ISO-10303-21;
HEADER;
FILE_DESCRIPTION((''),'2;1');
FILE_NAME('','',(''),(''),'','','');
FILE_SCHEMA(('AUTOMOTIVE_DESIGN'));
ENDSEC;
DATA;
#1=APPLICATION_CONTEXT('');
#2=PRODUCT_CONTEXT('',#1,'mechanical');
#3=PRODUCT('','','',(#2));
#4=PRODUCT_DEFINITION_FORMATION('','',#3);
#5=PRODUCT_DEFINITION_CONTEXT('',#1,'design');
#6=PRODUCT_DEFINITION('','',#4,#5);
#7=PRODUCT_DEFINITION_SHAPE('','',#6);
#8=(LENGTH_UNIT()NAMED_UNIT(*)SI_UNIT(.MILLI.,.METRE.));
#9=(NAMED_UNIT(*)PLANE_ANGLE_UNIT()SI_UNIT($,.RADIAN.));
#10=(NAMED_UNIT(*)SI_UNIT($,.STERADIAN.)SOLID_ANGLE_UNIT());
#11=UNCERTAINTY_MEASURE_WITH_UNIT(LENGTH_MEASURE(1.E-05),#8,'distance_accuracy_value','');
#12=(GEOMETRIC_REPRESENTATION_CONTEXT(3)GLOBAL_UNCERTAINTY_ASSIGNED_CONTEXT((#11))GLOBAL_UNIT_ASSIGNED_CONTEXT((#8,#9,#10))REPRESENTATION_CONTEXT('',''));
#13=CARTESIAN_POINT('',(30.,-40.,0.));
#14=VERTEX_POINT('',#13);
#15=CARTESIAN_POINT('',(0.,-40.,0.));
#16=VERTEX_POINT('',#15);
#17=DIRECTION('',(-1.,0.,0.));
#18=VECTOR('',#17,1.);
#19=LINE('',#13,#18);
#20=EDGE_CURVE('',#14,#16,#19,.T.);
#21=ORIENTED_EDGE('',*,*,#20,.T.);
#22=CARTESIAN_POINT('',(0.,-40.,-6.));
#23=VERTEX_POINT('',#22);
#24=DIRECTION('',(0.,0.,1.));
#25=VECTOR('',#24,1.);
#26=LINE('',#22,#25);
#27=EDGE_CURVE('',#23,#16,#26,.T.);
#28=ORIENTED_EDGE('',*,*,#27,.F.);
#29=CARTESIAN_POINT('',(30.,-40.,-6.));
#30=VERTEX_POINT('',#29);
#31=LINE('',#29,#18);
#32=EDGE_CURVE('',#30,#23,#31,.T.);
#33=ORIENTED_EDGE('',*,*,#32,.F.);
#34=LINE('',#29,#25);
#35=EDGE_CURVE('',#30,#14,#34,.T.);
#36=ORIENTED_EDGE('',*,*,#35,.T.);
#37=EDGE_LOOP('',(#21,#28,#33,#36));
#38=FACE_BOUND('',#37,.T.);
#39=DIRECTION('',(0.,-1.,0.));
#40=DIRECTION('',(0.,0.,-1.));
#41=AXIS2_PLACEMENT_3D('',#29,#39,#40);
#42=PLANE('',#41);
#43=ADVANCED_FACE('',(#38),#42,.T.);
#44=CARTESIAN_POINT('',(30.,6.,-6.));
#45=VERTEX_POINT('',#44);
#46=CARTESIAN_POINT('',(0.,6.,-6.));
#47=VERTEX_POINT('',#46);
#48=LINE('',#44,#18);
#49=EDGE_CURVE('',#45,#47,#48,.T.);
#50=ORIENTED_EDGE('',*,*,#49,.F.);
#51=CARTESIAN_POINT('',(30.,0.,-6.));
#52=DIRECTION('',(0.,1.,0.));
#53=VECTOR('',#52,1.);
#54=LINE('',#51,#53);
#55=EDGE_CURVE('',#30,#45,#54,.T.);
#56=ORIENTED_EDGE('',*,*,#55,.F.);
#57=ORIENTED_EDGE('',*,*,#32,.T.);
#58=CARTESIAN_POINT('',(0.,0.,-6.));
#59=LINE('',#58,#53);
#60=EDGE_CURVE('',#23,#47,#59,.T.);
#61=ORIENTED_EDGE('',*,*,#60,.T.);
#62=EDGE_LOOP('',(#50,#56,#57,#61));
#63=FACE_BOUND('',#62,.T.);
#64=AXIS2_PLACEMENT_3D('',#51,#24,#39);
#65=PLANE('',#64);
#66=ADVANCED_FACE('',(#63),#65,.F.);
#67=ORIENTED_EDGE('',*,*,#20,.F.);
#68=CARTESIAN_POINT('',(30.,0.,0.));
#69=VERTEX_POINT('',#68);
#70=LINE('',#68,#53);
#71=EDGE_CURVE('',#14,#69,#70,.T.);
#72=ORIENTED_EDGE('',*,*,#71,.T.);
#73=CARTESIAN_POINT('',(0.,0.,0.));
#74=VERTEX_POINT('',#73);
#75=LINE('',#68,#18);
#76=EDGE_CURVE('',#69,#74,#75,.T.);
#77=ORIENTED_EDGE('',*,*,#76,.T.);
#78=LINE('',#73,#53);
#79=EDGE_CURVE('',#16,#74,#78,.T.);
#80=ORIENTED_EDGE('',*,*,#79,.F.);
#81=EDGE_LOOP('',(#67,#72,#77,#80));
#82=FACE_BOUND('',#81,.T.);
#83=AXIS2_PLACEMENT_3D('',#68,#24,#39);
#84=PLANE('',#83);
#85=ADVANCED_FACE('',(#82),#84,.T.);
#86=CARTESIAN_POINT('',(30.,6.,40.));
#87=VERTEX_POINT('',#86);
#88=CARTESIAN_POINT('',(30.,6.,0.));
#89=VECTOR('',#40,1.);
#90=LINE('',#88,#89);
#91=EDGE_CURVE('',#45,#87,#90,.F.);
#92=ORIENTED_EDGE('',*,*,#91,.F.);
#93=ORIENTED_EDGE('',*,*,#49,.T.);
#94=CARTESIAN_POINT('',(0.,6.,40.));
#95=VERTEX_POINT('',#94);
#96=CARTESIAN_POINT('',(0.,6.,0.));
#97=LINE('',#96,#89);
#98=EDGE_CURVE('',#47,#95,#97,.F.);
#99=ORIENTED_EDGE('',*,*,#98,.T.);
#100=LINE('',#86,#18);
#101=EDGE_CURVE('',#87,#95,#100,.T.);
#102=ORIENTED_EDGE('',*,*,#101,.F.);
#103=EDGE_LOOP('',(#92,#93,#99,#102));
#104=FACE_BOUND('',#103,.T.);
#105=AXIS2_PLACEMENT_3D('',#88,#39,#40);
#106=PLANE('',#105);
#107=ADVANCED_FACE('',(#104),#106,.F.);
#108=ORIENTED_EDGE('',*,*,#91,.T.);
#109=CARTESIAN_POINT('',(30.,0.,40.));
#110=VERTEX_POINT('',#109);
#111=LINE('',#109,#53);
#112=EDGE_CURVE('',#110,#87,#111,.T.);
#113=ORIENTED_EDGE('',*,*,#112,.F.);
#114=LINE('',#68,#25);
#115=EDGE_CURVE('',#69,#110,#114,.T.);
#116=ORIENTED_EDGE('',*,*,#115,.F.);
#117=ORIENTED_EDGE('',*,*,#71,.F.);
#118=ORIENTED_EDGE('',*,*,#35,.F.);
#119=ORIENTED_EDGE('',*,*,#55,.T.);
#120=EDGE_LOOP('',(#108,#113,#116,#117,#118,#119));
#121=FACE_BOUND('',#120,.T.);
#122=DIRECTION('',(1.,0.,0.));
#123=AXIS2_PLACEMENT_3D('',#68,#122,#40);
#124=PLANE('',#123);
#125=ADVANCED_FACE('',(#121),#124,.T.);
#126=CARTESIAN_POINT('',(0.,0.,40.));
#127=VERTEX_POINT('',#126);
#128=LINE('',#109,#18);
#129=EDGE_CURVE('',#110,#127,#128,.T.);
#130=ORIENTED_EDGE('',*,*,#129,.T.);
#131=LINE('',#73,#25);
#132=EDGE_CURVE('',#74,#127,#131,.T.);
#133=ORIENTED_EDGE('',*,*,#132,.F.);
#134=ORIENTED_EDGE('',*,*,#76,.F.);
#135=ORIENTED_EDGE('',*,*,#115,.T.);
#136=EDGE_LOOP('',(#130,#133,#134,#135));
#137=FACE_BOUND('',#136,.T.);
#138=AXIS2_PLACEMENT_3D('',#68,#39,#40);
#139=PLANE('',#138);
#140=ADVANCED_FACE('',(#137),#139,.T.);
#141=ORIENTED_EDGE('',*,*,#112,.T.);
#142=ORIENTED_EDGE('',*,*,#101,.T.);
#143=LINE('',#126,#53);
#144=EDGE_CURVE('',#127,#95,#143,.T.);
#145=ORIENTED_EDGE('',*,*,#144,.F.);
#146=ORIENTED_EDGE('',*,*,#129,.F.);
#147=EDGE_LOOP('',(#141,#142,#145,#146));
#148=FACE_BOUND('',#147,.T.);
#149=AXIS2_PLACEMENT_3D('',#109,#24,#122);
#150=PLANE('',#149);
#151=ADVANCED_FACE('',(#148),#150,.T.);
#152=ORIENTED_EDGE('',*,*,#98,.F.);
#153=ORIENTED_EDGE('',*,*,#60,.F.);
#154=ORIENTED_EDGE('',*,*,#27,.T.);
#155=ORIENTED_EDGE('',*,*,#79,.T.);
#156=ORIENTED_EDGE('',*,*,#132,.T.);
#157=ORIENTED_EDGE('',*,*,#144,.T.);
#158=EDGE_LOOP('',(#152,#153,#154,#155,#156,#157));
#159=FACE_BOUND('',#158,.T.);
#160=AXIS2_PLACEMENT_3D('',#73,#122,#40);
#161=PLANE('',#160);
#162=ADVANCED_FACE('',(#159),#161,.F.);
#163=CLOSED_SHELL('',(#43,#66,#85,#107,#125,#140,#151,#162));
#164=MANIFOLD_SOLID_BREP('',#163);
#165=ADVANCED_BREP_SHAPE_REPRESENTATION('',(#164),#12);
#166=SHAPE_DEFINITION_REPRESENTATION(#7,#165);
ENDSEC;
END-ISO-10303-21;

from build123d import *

# Parameters (mm, degrees)
EXTRUDE_THIN1_DEPTH = 30


with BuildPart() as part:
    # Sketch1 → Extrude-Thin1 (new body)
    with BuildSketch(Plane(origin=(0, 0, 0), x_dir=(0, 0, -1), z_dir=(1, 0, 0))):
        Polygon((-40, 0), (0, 0), (0, -40), (6, -40), (6, 6), (-40, 6), align=None)
    extrude(amount=EXTRUDE_THIN1_DEPTH)


solid = part.part
